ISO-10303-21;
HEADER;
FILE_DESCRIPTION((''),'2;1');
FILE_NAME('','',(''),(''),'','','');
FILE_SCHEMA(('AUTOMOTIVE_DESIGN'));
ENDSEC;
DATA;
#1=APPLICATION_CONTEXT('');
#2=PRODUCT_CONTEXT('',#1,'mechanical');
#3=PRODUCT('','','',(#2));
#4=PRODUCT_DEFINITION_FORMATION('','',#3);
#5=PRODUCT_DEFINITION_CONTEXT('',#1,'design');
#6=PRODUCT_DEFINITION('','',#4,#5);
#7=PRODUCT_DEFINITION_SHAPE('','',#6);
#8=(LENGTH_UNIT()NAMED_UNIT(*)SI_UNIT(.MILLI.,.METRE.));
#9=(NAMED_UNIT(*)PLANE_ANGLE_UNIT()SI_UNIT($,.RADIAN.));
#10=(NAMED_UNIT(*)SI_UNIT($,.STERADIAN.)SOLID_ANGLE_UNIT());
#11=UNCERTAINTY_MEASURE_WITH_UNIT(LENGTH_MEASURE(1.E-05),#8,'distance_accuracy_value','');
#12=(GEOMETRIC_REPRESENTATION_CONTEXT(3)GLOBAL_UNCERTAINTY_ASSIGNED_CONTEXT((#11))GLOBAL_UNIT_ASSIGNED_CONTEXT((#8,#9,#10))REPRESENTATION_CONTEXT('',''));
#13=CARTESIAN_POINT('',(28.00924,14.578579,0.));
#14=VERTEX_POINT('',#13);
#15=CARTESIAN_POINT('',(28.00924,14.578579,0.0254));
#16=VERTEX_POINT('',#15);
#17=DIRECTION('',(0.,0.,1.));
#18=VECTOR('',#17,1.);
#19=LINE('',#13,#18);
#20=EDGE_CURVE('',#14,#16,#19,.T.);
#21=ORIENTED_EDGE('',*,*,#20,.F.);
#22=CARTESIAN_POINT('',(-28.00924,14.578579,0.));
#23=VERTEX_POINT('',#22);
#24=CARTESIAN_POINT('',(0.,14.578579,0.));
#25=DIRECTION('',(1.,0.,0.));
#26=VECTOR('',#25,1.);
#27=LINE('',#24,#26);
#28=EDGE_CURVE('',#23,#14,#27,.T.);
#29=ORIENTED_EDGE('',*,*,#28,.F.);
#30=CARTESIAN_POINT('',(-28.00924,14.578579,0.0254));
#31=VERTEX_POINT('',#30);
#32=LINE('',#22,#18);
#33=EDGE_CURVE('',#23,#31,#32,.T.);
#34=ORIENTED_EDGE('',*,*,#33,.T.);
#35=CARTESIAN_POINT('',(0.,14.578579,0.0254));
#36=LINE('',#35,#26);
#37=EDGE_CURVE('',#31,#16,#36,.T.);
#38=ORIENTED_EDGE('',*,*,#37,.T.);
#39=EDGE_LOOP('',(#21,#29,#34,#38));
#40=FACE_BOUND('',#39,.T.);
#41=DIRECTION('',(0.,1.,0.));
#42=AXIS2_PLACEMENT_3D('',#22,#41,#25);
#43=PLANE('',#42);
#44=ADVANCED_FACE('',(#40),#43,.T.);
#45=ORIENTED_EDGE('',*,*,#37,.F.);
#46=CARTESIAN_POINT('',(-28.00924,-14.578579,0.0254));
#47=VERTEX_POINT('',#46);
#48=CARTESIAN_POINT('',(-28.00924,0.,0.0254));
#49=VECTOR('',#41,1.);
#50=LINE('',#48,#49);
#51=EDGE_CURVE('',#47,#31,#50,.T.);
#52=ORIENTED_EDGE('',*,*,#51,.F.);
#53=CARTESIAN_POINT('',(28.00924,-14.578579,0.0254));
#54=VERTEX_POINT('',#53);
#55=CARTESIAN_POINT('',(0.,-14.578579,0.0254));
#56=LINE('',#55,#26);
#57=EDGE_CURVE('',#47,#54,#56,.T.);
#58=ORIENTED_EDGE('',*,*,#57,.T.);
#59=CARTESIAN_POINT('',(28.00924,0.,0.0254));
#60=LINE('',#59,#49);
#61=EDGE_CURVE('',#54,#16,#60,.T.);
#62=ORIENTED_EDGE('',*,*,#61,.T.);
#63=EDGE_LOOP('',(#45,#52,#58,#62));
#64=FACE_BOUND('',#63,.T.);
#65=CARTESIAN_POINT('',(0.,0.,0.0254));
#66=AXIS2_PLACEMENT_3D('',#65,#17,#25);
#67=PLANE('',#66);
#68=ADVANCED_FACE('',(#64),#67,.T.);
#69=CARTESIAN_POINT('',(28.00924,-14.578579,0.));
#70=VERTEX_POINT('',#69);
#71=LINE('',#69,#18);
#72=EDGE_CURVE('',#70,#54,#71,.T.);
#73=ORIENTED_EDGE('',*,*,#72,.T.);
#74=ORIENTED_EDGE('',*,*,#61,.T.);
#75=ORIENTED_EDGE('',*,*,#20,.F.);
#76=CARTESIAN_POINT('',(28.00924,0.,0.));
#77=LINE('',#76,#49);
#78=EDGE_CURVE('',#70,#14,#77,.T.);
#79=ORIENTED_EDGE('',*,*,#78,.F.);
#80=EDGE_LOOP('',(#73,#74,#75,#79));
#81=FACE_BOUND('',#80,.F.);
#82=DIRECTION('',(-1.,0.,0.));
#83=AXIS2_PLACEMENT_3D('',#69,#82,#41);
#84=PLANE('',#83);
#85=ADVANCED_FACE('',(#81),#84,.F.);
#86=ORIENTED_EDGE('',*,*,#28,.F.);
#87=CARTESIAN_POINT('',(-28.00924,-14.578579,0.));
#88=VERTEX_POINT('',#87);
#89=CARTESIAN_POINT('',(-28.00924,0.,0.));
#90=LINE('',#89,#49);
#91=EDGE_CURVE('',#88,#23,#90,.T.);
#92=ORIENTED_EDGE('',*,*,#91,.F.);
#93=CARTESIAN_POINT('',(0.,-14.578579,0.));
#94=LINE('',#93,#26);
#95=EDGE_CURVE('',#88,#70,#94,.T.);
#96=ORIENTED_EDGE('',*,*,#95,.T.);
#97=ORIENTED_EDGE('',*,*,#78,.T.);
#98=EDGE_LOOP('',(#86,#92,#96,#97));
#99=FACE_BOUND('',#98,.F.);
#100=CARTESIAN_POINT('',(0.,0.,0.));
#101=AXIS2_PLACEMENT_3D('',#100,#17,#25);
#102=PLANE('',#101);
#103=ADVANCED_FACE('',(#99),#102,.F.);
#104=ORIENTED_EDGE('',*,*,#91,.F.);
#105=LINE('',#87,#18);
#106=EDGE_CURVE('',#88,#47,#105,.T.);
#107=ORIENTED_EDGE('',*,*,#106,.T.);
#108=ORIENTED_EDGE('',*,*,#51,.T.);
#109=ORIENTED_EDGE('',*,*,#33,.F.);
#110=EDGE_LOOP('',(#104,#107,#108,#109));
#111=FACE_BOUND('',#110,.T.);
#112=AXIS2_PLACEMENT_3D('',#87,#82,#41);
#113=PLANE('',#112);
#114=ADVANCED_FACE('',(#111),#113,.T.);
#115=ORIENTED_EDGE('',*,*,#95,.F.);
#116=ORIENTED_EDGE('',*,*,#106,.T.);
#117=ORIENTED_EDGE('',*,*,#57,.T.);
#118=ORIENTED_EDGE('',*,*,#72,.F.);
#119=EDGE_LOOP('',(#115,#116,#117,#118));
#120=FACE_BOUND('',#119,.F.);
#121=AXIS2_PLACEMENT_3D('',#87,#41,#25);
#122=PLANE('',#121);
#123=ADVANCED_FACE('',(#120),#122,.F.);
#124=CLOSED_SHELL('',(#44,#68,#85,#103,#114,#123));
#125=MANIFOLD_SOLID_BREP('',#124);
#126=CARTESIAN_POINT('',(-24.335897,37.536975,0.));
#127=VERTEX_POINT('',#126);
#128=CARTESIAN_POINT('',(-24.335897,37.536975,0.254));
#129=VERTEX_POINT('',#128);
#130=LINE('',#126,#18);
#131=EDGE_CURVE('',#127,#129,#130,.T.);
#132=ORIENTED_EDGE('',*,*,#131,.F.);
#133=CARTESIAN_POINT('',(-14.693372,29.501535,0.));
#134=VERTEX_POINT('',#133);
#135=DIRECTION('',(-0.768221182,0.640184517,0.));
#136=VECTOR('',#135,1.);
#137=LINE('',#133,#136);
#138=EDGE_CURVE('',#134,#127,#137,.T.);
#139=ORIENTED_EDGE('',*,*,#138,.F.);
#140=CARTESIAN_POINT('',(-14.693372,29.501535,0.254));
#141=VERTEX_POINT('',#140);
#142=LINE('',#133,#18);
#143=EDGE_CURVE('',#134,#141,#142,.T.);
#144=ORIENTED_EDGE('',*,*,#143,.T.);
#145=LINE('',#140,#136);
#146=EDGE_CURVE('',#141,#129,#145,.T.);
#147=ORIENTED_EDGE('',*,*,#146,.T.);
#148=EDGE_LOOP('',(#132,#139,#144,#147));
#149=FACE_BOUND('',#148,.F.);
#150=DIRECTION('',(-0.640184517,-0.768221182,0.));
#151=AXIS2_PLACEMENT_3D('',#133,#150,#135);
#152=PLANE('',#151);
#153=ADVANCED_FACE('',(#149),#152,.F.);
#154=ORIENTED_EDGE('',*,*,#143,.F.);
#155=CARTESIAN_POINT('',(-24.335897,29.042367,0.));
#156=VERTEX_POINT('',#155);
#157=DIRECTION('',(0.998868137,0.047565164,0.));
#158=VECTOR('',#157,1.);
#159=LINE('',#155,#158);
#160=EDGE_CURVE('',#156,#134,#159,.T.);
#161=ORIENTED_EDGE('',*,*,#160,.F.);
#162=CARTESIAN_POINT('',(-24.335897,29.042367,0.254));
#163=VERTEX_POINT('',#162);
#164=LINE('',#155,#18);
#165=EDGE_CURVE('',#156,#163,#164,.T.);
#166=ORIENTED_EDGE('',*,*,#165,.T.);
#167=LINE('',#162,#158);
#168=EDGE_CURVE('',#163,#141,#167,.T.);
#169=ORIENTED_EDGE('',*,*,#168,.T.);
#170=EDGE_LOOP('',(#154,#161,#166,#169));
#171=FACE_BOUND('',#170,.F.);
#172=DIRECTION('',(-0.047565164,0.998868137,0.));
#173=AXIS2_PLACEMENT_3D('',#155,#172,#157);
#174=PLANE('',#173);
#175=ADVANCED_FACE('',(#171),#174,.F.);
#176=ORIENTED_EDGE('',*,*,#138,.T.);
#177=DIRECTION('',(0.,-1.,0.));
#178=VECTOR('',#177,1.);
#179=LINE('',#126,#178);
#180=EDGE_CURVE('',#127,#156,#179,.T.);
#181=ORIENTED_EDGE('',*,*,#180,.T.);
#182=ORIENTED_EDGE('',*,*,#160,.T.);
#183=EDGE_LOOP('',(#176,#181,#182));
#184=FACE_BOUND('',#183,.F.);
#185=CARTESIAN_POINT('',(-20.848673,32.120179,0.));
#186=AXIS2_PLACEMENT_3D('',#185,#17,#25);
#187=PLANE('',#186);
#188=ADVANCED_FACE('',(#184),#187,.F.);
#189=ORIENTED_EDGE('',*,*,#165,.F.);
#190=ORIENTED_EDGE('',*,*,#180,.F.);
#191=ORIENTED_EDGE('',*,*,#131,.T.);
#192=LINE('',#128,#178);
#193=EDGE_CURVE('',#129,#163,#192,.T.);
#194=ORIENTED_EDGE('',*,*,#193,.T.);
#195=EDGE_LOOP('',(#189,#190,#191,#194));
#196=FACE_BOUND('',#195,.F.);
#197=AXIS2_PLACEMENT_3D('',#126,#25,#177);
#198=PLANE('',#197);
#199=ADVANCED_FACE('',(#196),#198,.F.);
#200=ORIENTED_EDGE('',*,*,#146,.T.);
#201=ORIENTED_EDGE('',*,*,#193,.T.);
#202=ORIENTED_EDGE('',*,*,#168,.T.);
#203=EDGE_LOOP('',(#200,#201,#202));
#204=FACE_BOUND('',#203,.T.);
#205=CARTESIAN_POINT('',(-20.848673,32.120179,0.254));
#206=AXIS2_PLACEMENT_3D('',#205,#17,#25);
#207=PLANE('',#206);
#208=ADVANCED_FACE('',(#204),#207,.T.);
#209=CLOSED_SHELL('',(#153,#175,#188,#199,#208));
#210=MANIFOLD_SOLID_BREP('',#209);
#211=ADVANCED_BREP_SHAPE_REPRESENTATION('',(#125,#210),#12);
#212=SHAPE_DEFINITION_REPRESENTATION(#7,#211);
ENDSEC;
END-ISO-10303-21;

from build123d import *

# Parameters (mm, degrees)
F0_W     = 56.01848
F0_H     = 29.157158
F1_DEPTH = 0.0254
F3_DEPTH = 0.254


with BuildPart() as f1:
    # F0 (on Top) → F1 (new body)
    with BuildSketch(Plane.XY):
        Rectangle(F0_W, F0_H)
    extrude(amount=F1_DEPTH)


with BuildPart() as f3:
    # F2 (on Top) → F3 (new body)
    with BuildSketch(Plane.XY):
        Polygon((-24.335897, 37.536975), (-24.335897, 29.042367), (-14.693372, 29.501535), align=None)
    extrude(amount=F3_DEPTH)


solid = Compound([f1.part, f3.part])
